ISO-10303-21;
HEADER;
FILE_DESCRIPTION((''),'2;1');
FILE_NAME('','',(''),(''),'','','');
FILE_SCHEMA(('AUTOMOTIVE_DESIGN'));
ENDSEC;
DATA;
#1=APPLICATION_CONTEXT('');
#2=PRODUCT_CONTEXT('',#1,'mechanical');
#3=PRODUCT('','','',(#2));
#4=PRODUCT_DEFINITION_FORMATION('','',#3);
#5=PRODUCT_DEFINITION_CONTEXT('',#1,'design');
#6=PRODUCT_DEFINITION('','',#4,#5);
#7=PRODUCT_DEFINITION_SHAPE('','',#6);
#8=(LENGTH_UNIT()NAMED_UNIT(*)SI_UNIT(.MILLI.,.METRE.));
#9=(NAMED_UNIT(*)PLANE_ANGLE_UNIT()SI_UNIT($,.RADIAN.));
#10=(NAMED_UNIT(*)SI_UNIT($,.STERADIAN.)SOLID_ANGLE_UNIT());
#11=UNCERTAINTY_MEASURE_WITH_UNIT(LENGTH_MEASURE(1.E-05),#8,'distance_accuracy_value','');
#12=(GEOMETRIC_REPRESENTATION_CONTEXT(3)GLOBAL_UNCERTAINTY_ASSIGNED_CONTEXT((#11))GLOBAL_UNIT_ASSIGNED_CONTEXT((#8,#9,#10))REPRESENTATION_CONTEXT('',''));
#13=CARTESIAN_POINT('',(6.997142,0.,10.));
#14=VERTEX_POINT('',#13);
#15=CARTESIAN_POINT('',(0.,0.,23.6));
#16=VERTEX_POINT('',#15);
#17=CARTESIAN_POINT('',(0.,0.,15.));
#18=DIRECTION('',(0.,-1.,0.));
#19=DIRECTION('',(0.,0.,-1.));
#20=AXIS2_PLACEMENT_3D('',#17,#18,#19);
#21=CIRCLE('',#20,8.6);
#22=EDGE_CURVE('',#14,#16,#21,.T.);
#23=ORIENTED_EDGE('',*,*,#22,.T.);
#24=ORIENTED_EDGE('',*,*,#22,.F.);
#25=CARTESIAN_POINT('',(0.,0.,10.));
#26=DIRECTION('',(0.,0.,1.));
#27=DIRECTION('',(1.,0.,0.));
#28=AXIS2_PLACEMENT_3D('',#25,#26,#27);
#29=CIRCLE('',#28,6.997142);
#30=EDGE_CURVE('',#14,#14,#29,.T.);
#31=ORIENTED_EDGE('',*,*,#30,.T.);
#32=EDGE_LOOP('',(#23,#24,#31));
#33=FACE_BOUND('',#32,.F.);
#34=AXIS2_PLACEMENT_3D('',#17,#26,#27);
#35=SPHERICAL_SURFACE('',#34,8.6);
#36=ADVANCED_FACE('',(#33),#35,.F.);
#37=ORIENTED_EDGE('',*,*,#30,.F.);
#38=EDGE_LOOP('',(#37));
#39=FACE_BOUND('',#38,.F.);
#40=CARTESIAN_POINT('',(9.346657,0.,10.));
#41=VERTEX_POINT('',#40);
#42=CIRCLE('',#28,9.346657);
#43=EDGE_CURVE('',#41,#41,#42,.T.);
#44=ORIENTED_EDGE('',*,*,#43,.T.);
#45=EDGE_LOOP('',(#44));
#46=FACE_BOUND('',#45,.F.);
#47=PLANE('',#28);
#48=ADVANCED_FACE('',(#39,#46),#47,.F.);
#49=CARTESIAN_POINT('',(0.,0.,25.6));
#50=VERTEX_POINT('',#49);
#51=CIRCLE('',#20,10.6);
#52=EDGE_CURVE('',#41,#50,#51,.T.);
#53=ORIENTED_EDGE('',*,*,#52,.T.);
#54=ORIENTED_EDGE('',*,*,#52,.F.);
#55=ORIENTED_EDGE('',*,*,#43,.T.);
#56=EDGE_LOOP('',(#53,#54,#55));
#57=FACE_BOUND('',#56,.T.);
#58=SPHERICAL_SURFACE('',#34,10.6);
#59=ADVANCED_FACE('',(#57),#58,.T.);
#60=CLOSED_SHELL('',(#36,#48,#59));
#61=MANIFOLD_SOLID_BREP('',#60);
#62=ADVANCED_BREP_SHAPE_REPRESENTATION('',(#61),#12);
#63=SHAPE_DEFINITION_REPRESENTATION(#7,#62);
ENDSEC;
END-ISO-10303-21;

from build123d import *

# Parameters (mm, degrees)
BOX_W     = 20
BOX_H     = 20
BOX_DEPTH = 9


with BuildPart() as cube:
    # Box → Box (new body)
    with BuildSketch(Plane(origin=(-10, -10, 1), x_dir=(1, 0, 0), z_dir=(0, 0, 1))):
        with Locations((10, 10)):
            Rectangle(BOX_W, BOX_H)
    extrude(amount=BOX_DEPTH)


with BuildPart() as topuz:
    # Sphere → Sphere (revolve)
    with BuildSketch(Plane(origin=(0, 0, 15), x_dir=(1, 0, 0), z_dir=(0, -1, 0))):
        with BuildLine():
            ThreePointArc((0, -8.6), (8.6, 0), (0, 8.6))
            Line((0, 8.6), (0, -8.6))
        make_face()
    revolve(axis=Axis((0, 0, 15), (0, 0, 1)))


with BuildPart() as rouded:
    # Sphere001 → Sphere001 (revolve)
    with BuildSketch(Plane(origin=(0, 0, 15), x_dir=(1, 0, 0), z_dir=(0, -1, 0))):
        with BuildLine():
            ThreePointArc((0, -10.6), (10.6, 0), (0, 10.6))
            Line((0, 10.6), (0, -10.6))
        make_face()
    revolve(axis=Axis((0, 0, 15), (0, 0, 1)))

    # Cut: cut Topuz
    add(topuz.part, mode=Mode.SUBTRACT)

    # Cut001: cut Cube
    add(cube.part, mode=Mode.SUBTRACT)


solid = rouded.part
